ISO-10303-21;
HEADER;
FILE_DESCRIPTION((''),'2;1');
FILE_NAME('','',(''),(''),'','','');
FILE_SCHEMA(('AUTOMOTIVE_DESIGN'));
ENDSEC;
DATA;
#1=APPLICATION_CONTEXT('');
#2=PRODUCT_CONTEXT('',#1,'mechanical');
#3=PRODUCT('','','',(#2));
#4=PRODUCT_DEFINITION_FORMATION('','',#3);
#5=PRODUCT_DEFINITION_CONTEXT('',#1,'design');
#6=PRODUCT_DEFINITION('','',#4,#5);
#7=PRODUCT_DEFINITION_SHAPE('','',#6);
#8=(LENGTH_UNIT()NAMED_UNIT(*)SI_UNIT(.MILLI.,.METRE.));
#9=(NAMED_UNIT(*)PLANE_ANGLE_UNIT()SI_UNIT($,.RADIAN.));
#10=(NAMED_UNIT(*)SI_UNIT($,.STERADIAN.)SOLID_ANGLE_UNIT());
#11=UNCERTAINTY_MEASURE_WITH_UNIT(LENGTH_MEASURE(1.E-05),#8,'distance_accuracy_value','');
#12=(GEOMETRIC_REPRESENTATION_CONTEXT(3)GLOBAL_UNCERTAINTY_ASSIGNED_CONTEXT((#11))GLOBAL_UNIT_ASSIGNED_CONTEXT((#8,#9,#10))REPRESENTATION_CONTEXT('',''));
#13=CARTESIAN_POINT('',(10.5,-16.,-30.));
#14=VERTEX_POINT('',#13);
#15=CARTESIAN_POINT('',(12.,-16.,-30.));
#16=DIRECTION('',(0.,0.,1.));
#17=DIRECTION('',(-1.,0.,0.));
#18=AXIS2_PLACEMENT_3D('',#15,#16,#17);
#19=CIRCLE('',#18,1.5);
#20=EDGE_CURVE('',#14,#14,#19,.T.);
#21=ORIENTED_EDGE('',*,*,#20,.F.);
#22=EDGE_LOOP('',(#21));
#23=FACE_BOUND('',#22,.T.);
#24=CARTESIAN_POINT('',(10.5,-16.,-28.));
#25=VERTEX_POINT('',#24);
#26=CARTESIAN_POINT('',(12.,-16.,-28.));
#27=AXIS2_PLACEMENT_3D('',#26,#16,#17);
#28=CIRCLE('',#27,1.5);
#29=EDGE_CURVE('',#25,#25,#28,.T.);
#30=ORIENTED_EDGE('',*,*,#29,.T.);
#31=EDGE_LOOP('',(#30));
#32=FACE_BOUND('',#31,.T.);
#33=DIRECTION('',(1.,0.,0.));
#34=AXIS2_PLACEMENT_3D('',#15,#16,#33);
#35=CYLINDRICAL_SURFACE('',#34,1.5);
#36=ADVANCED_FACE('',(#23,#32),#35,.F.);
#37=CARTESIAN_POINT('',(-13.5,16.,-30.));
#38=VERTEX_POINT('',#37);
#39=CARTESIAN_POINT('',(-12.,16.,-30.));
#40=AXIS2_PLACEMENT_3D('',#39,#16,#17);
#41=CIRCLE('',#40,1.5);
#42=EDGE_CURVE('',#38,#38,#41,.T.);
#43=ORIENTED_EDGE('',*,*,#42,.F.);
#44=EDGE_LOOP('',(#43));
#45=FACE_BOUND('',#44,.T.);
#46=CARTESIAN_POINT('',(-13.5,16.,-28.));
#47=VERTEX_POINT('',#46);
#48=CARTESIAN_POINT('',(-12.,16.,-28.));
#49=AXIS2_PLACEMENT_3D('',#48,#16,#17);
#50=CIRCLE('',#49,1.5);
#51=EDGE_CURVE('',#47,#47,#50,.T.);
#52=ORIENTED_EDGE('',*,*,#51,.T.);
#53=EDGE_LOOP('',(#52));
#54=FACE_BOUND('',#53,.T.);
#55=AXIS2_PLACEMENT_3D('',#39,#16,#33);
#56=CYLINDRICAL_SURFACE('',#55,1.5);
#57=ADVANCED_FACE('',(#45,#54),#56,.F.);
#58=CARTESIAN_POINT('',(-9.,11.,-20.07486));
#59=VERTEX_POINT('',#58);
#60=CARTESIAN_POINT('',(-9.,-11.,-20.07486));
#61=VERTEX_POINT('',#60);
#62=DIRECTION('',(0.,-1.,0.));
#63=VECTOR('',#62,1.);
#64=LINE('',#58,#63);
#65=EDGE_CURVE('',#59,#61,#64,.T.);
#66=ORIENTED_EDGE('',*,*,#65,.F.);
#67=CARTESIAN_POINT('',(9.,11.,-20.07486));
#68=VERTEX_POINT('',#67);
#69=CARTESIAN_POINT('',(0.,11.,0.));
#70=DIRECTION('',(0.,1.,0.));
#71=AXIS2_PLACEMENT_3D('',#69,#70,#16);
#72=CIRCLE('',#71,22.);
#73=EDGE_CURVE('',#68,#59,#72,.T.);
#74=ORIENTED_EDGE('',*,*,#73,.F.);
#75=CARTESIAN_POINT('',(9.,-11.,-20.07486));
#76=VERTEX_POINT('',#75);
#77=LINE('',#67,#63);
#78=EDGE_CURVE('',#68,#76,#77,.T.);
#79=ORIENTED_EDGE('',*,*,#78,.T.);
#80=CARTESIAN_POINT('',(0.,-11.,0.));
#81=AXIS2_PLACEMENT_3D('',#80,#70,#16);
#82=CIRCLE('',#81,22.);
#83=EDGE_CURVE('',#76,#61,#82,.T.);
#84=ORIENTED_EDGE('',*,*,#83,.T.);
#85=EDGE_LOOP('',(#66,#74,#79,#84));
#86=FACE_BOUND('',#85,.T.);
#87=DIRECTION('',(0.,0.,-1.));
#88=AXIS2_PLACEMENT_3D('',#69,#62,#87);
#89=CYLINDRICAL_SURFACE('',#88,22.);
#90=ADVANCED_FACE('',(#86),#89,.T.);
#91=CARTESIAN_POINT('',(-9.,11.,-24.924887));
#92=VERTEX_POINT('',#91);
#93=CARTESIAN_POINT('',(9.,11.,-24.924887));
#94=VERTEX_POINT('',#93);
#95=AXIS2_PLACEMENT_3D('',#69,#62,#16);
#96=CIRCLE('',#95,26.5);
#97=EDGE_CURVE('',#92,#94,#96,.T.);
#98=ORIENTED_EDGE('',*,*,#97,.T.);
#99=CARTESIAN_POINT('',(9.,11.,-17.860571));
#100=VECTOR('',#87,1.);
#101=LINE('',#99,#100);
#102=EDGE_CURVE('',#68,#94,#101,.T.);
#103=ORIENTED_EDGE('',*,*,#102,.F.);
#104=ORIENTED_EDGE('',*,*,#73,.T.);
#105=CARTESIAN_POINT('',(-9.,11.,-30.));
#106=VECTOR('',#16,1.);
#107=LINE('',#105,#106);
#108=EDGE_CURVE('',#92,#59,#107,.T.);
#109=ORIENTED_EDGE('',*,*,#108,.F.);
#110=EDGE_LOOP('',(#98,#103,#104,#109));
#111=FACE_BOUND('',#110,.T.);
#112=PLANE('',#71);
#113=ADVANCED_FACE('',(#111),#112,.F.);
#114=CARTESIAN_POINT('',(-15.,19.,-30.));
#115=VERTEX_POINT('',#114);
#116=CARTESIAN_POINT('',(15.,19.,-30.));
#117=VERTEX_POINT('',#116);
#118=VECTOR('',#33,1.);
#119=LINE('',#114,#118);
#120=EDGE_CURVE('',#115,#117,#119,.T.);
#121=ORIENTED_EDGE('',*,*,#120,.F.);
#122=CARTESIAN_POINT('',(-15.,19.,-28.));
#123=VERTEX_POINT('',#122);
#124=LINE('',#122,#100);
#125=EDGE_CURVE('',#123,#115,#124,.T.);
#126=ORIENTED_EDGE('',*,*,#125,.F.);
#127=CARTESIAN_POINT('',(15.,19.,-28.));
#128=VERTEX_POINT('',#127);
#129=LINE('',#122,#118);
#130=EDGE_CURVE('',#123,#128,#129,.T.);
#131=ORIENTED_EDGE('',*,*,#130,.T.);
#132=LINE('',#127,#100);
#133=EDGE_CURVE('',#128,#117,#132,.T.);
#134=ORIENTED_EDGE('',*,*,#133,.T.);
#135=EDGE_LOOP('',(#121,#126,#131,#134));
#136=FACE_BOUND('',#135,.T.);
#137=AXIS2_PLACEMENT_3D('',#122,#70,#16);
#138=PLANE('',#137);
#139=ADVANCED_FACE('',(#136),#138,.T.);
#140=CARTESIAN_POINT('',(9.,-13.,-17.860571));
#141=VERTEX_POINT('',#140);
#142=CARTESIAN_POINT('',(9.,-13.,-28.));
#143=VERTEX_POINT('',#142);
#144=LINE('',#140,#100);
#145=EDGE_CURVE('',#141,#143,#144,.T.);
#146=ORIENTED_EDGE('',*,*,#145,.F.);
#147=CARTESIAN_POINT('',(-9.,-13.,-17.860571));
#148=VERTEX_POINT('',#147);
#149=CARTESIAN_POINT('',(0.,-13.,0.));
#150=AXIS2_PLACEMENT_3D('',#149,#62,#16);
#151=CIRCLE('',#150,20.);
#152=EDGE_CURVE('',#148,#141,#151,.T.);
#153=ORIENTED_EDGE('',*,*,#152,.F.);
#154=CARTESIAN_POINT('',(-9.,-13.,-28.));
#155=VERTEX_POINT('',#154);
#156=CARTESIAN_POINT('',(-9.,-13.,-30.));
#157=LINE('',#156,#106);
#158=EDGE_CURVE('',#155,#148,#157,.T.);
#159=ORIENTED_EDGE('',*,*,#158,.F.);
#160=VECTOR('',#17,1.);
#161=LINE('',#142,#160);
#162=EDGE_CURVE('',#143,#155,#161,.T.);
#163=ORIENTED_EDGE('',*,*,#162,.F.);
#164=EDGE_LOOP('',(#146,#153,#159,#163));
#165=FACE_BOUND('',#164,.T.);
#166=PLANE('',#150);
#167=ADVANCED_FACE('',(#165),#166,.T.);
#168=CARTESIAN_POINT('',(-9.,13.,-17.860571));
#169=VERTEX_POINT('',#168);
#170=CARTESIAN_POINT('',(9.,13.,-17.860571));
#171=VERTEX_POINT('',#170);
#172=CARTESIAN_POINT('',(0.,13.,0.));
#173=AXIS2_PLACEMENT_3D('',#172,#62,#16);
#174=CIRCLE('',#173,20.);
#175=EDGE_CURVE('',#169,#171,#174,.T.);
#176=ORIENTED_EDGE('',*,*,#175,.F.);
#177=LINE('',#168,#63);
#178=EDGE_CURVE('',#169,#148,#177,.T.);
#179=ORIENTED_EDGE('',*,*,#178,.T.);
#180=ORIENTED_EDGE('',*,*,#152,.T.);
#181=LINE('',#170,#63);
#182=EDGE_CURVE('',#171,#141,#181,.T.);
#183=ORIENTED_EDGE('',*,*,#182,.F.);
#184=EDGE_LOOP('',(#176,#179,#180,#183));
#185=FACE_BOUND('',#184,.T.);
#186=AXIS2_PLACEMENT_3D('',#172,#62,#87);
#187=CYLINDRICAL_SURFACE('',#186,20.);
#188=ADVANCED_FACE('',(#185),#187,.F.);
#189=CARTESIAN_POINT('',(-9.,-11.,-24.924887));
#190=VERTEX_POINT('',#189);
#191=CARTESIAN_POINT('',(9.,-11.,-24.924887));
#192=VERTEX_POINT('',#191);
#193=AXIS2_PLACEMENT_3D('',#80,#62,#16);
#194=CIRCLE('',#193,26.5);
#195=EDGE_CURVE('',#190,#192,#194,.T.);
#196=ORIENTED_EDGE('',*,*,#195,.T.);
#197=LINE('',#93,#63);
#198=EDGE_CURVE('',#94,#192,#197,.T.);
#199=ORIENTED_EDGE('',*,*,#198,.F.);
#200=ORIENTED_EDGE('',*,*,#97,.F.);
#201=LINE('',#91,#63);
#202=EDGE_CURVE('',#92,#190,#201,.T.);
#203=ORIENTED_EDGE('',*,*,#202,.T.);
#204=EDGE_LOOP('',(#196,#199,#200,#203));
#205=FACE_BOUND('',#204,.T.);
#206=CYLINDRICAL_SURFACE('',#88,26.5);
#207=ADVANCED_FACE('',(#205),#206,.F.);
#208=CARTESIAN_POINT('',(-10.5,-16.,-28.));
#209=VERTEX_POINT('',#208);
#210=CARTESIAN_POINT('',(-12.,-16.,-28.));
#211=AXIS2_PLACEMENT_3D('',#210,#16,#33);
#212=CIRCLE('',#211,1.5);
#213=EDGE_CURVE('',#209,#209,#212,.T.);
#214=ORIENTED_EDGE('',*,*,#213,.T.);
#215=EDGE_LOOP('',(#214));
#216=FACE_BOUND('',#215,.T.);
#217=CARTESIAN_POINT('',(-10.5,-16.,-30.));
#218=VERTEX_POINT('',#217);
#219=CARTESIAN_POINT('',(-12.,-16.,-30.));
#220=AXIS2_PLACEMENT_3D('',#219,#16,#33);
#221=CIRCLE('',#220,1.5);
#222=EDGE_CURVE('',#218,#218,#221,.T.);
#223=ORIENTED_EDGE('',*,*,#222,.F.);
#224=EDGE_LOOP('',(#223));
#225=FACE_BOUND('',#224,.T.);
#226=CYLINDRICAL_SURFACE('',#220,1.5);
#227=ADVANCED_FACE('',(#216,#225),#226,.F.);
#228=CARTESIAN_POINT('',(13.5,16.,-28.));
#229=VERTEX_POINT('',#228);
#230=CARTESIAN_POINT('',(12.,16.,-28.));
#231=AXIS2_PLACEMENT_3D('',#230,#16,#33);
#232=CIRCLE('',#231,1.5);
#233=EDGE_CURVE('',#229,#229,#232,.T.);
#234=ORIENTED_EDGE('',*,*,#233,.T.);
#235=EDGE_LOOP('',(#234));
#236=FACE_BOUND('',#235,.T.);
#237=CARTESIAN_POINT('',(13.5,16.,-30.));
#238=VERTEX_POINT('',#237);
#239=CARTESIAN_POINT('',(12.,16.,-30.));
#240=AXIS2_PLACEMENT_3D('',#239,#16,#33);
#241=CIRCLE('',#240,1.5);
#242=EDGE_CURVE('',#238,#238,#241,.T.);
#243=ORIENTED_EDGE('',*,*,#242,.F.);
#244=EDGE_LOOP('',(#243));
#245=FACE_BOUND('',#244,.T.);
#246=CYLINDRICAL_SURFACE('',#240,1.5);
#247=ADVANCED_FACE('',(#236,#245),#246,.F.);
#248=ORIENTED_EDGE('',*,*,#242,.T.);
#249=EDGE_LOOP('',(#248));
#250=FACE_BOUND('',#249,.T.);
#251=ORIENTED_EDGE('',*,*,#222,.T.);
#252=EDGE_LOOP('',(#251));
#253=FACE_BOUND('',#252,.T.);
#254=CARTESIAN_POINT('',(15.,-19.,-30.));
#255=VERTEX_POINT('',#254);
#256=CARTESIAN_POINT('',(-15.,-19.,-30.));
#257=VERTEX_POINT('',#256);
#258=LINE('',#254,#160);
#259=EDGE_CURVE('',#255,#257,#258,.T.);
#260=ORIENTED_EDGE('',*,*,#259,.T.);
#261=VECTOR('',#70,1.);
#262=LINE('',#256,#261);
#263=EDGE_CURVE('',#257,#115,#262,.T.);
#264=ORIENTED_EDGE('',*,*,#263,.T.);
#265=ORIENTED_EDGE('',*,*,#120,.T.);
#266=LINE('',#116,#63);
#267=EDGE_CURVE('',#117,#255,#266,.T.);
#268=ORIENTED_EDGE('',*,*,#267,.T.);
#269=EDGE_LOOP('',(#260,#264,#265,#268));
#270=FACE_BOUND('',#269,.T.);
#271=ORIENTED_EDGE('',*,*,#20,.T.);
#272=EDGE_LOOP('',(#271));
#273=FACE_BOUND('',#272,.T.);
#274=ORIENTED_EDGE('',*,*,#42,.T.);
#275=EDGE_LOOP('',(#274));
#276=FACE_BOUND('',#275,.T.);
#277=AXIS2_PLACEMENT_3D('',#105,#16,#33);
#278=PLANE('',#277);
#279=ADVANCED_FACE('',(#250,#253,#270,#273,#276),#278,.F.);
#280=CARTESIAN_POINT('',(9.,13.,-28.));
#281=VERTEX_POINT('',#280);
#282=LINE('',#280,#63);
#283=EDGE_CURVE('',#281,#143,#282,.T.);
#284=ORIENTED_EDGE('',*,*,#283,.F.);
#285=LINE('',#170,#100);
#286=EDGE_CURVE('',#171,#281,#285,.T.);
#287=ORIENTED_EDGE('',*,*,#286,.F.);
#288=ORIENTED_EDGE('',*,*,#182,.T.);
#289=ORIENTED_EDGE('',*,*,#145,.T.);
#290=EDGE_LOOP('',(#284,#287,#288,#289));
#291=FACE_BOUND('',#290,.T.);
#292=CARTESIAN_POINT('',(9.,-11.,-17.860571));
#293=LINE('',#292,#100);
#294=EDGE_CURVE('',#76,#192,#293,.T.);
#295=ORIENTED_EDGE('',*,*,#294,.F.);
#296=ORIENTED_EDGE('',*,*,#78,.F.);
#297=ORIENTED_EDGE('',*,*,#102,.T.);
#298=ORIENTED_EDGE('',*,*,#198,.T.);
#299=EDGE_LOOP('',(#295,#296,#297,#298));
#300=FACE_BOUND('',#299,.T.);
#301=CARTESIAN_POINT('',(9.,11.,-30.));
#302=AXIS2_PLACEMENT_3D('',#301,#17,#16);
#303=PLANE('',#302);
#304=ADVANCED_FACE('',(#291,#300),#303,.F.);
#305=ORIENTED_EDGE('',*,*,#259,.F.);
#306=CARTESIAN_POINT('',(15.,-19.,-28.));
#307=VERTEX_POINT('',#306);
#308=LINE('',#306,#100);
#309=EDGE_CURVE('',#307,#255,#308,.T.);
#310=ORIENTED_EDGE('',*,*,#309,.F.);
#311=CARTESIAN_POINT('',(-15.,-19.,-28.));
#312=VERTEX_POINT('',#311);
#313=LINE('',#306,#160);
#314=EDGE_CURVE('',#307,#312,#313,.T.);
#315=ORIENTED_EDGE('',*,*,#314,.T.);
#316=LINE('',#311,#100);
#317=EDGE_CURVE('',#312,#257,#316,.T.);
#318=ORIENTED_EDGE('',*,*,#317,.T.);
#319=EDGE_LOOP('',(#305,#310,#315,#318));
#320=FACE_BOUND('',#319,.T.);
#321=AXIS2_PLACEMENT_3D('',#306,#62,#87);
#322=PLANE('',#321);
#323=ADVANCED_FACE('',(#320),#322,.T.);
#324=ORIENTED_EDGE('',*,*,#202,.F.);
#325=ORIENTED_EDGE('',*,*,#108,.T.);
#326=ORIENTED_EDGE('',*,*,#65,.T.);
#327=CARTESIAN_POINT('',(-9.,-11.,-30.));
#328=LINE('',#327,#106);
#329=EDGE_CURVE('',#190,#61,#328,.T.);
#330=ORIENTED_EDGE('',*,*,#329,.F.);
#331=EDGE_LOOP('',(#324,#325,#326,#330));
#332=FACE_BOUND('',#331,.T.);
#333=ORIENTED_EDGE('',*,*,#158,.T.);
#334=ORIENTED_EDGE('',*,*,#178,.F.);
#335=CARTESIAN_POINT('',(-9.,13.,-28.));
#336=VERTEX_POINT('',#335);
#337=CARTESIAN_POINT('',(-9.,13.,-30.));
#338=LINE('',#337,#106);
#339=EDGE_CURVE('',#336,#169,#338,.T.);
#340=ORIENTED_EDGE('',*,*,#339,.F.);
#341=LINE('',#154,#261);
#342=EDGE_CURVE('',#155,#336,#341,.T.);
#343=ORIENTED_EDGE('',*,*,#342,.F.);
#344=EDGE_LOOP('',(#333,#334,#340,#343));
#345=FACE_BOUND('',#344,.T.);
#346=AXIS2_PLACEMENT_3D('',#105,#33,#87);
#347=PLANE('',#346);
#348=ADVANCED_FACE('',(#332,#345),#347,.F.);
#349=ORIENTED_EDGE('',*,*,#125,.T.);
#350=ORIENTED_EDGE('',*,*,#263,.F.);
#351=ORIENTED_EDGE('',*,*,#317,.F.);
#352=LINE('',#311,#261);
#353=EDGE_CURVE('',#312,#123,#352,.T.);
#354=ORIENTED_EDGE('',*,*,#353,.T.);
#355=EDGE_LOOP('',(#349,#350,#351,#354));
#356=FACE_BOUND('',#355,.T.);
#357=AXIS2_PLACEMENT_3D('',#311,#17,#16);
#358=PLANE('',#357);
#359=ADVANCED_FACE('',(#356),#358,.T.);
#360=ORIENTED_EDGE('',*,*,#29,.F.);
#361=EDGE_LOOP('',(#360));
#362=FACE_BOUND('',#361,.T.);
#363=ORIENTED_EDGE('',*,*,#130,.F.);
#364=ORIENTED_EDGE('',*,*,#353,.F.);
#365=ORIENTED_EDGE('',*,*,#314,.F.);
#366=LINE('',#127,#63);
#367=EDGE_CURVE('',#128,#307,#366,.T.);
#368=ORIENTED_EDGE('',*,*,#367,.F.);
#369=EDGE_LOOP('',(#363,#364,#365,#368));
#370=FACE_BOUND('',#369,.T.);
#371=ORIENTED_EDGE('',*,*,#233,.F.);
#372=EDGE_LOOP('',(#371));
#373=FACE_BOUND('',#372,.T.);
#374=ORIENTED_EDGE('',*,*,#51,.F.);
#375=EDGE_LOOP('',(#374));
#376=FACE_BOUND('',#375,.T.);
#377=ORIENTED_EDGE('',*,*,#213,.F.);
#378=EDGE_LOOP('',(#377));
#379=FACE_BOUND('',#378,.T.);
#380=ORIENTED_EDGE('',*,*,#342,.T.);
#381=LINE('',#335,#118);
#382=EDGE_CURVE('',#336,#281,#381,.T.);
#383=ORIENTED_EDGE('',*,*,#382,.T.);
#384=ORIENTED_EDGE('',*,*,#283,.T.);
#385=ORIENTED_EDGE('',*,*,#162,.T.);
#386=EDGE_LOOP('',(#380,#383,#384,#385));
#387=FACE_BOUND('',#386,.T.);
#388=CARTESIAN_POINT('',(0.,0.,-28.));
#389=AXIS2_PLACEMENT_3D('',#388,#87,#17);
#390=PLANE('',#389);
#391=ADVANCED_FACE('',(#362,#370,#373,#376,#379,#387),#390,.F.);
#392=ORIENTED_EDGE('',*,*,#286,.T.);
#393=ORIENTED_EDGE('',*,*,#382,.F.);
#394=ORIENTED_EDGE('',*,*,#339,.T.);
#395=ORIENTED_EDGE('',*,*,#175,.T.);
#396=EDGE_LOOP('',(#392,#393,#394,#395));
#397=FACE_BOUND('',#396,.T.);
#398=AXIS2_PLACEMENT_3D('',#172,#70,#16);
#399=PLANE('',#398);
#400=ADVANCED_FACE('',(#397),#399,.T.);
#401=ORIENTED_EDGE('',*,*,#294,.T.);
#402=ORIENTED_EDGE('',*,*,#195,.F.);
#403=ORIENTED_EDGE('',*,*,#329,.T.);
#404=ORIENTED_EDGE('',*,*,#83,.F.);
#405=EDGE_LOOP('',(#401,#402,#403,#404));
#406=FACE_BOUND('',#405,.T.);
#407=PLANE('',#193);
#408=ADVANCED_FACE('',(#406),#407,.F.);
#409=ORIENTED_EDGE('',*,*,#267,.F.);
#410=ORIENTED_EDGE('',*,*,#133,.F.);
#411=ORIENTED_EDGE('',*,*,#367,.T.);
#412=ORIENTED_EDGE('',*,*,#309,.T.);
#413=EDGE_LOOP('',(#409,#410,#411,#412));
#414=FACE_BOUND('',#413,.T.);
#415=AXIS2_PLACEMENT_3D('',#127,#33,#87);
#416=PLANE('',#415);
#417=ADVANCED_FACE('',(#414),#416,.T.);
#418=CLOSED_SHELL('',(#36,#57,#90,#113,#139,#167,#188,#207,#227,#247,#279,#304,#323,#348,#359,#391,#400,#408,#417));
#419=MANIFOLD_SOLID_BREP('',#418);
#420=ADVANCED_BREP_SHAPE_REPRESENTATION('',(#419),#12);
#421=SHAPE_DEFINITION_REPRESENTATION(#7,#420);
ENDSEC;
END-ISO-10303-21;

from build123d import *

# Parameters (mm, degrees)
EXTRUDE_1_DEPTH     = 11
EXTRUDE_1_2_DEPTH   = 11
EXTRUDE_2_DEPTH     = 2
SKETCH_5_W          = 30
SKETCH_5_H          = 38
SKETCH_5_W_2        = 18
SKETCH_5_H_2        = 26
EXTRUDE_3_DEPTH     = 2
SKETCH_6_R          = 1.5
CUT_EXTRUDE_1_DEPTH = 27.245152284


with BuildPart() as part:
    # 草图1 → 凸台-拉伸1 (new, symmetric)
    with BuildSketch(Plane(origin=(0, 0, 0), x_dir=(1, 0, 0), z_dir=(0, 1, 0))):
        with BuildLine():
            Line((-9, 30), (-9, 24.924887161))
            ThreePointArc((-9, 24.924887161), (0, 26.5), (9, 24.924887161))
            Line((9, 24.924887161), (9, 30))
            Line((9, 30), (-9, 30))
        make_face()
    extrude(amount=EXTRUDE_1_DEPTH, both=True)



with BuildPart() as body_2:
    # 草图1 → Extrude 1 2 (new, symmetric)
    with BuildSketch(Plane(origin=(0, 0, 0), x_dir=(1, 0, 0), z_dir=(0, 1, 0))):
        with BuildLine():
            Line((-9, 20.0748599), (-9, 17.860571099))
            ThreePointArc((-9, 17.860571099), (0, 20), (9, 17.860571099))
            Line((9, 17.860571099), (9, 20.0748599))
            ThreePointArc((9, 20.0748599), (0, 22), (-9, 20.0748599))
        make_face()
    extrude(amount=EXTRUDE_1_2_DEPTH, both=True)


with BuildPart() as part_1:
    add(part.part)

    add(body_2.part)  # 凸台-拉伸2 merges body 2
    # 草图2 → 凸台-拉伸2 (add)
    with BuildSketch(Plane(origin=(0, 11, 0), x_dir=(1, 0, 0), z_dir=(0, 1, 0))):
        with BuildLine():
            Line((-9, 30), (-9, 17.860571099))
            ThreePointArc((-9, 17.860571099), (0, 20), (9, 17.860571099))
            Line((9, 17.860571099), (9, 30))
            Line((9, 30), (-9, 30))
        make_face()
    extrude_2 = extrude(amount=EXTRUDE_2_DEPTH)

    # 镜向1: 凸台-拉伸2 across plane
    add(extrude_2.mirror(Plane.ZX))

    # 草图5 → 凸台-拉伸3 (add)
    with BuildSketch(Plane(origin=(0, 0, -30), x_dir=(-1, 0, 0), z_dir=(0, 0, -1))):
        Rectangle(SKETCH_5_W, SKETCH_5_H)
        Rectangle(SKETCH_5_W_2, SKETCH_5_H_2, mode=Mode.SUBTRACT)
    extrude(amount=-EXTRUDE_3_DEPTH)

    # 草图6 → 切除-拉伸1 (cut, through all)
    with BuildSketch(Plane.XY.offset(-28)):
        with Locations((12, 16)):
            Circle(SKETCH_6_R)
        with Locations(Location((-12, 16, 0), (0, 0, 180))):
            Circle(SKETCH_6_R)
        with Locations(Location((12, -16, 0), (0, 0, 180))):
            Circle(SKETCH_6_R)
        with Locations((-12, -16)):
            Circle(SKETCH_6_R)
    extrude(amount=-CUT_EXTRUDE_1_DEPTH, mode=Mode.SUBTRACT)


solid = part_1.part
